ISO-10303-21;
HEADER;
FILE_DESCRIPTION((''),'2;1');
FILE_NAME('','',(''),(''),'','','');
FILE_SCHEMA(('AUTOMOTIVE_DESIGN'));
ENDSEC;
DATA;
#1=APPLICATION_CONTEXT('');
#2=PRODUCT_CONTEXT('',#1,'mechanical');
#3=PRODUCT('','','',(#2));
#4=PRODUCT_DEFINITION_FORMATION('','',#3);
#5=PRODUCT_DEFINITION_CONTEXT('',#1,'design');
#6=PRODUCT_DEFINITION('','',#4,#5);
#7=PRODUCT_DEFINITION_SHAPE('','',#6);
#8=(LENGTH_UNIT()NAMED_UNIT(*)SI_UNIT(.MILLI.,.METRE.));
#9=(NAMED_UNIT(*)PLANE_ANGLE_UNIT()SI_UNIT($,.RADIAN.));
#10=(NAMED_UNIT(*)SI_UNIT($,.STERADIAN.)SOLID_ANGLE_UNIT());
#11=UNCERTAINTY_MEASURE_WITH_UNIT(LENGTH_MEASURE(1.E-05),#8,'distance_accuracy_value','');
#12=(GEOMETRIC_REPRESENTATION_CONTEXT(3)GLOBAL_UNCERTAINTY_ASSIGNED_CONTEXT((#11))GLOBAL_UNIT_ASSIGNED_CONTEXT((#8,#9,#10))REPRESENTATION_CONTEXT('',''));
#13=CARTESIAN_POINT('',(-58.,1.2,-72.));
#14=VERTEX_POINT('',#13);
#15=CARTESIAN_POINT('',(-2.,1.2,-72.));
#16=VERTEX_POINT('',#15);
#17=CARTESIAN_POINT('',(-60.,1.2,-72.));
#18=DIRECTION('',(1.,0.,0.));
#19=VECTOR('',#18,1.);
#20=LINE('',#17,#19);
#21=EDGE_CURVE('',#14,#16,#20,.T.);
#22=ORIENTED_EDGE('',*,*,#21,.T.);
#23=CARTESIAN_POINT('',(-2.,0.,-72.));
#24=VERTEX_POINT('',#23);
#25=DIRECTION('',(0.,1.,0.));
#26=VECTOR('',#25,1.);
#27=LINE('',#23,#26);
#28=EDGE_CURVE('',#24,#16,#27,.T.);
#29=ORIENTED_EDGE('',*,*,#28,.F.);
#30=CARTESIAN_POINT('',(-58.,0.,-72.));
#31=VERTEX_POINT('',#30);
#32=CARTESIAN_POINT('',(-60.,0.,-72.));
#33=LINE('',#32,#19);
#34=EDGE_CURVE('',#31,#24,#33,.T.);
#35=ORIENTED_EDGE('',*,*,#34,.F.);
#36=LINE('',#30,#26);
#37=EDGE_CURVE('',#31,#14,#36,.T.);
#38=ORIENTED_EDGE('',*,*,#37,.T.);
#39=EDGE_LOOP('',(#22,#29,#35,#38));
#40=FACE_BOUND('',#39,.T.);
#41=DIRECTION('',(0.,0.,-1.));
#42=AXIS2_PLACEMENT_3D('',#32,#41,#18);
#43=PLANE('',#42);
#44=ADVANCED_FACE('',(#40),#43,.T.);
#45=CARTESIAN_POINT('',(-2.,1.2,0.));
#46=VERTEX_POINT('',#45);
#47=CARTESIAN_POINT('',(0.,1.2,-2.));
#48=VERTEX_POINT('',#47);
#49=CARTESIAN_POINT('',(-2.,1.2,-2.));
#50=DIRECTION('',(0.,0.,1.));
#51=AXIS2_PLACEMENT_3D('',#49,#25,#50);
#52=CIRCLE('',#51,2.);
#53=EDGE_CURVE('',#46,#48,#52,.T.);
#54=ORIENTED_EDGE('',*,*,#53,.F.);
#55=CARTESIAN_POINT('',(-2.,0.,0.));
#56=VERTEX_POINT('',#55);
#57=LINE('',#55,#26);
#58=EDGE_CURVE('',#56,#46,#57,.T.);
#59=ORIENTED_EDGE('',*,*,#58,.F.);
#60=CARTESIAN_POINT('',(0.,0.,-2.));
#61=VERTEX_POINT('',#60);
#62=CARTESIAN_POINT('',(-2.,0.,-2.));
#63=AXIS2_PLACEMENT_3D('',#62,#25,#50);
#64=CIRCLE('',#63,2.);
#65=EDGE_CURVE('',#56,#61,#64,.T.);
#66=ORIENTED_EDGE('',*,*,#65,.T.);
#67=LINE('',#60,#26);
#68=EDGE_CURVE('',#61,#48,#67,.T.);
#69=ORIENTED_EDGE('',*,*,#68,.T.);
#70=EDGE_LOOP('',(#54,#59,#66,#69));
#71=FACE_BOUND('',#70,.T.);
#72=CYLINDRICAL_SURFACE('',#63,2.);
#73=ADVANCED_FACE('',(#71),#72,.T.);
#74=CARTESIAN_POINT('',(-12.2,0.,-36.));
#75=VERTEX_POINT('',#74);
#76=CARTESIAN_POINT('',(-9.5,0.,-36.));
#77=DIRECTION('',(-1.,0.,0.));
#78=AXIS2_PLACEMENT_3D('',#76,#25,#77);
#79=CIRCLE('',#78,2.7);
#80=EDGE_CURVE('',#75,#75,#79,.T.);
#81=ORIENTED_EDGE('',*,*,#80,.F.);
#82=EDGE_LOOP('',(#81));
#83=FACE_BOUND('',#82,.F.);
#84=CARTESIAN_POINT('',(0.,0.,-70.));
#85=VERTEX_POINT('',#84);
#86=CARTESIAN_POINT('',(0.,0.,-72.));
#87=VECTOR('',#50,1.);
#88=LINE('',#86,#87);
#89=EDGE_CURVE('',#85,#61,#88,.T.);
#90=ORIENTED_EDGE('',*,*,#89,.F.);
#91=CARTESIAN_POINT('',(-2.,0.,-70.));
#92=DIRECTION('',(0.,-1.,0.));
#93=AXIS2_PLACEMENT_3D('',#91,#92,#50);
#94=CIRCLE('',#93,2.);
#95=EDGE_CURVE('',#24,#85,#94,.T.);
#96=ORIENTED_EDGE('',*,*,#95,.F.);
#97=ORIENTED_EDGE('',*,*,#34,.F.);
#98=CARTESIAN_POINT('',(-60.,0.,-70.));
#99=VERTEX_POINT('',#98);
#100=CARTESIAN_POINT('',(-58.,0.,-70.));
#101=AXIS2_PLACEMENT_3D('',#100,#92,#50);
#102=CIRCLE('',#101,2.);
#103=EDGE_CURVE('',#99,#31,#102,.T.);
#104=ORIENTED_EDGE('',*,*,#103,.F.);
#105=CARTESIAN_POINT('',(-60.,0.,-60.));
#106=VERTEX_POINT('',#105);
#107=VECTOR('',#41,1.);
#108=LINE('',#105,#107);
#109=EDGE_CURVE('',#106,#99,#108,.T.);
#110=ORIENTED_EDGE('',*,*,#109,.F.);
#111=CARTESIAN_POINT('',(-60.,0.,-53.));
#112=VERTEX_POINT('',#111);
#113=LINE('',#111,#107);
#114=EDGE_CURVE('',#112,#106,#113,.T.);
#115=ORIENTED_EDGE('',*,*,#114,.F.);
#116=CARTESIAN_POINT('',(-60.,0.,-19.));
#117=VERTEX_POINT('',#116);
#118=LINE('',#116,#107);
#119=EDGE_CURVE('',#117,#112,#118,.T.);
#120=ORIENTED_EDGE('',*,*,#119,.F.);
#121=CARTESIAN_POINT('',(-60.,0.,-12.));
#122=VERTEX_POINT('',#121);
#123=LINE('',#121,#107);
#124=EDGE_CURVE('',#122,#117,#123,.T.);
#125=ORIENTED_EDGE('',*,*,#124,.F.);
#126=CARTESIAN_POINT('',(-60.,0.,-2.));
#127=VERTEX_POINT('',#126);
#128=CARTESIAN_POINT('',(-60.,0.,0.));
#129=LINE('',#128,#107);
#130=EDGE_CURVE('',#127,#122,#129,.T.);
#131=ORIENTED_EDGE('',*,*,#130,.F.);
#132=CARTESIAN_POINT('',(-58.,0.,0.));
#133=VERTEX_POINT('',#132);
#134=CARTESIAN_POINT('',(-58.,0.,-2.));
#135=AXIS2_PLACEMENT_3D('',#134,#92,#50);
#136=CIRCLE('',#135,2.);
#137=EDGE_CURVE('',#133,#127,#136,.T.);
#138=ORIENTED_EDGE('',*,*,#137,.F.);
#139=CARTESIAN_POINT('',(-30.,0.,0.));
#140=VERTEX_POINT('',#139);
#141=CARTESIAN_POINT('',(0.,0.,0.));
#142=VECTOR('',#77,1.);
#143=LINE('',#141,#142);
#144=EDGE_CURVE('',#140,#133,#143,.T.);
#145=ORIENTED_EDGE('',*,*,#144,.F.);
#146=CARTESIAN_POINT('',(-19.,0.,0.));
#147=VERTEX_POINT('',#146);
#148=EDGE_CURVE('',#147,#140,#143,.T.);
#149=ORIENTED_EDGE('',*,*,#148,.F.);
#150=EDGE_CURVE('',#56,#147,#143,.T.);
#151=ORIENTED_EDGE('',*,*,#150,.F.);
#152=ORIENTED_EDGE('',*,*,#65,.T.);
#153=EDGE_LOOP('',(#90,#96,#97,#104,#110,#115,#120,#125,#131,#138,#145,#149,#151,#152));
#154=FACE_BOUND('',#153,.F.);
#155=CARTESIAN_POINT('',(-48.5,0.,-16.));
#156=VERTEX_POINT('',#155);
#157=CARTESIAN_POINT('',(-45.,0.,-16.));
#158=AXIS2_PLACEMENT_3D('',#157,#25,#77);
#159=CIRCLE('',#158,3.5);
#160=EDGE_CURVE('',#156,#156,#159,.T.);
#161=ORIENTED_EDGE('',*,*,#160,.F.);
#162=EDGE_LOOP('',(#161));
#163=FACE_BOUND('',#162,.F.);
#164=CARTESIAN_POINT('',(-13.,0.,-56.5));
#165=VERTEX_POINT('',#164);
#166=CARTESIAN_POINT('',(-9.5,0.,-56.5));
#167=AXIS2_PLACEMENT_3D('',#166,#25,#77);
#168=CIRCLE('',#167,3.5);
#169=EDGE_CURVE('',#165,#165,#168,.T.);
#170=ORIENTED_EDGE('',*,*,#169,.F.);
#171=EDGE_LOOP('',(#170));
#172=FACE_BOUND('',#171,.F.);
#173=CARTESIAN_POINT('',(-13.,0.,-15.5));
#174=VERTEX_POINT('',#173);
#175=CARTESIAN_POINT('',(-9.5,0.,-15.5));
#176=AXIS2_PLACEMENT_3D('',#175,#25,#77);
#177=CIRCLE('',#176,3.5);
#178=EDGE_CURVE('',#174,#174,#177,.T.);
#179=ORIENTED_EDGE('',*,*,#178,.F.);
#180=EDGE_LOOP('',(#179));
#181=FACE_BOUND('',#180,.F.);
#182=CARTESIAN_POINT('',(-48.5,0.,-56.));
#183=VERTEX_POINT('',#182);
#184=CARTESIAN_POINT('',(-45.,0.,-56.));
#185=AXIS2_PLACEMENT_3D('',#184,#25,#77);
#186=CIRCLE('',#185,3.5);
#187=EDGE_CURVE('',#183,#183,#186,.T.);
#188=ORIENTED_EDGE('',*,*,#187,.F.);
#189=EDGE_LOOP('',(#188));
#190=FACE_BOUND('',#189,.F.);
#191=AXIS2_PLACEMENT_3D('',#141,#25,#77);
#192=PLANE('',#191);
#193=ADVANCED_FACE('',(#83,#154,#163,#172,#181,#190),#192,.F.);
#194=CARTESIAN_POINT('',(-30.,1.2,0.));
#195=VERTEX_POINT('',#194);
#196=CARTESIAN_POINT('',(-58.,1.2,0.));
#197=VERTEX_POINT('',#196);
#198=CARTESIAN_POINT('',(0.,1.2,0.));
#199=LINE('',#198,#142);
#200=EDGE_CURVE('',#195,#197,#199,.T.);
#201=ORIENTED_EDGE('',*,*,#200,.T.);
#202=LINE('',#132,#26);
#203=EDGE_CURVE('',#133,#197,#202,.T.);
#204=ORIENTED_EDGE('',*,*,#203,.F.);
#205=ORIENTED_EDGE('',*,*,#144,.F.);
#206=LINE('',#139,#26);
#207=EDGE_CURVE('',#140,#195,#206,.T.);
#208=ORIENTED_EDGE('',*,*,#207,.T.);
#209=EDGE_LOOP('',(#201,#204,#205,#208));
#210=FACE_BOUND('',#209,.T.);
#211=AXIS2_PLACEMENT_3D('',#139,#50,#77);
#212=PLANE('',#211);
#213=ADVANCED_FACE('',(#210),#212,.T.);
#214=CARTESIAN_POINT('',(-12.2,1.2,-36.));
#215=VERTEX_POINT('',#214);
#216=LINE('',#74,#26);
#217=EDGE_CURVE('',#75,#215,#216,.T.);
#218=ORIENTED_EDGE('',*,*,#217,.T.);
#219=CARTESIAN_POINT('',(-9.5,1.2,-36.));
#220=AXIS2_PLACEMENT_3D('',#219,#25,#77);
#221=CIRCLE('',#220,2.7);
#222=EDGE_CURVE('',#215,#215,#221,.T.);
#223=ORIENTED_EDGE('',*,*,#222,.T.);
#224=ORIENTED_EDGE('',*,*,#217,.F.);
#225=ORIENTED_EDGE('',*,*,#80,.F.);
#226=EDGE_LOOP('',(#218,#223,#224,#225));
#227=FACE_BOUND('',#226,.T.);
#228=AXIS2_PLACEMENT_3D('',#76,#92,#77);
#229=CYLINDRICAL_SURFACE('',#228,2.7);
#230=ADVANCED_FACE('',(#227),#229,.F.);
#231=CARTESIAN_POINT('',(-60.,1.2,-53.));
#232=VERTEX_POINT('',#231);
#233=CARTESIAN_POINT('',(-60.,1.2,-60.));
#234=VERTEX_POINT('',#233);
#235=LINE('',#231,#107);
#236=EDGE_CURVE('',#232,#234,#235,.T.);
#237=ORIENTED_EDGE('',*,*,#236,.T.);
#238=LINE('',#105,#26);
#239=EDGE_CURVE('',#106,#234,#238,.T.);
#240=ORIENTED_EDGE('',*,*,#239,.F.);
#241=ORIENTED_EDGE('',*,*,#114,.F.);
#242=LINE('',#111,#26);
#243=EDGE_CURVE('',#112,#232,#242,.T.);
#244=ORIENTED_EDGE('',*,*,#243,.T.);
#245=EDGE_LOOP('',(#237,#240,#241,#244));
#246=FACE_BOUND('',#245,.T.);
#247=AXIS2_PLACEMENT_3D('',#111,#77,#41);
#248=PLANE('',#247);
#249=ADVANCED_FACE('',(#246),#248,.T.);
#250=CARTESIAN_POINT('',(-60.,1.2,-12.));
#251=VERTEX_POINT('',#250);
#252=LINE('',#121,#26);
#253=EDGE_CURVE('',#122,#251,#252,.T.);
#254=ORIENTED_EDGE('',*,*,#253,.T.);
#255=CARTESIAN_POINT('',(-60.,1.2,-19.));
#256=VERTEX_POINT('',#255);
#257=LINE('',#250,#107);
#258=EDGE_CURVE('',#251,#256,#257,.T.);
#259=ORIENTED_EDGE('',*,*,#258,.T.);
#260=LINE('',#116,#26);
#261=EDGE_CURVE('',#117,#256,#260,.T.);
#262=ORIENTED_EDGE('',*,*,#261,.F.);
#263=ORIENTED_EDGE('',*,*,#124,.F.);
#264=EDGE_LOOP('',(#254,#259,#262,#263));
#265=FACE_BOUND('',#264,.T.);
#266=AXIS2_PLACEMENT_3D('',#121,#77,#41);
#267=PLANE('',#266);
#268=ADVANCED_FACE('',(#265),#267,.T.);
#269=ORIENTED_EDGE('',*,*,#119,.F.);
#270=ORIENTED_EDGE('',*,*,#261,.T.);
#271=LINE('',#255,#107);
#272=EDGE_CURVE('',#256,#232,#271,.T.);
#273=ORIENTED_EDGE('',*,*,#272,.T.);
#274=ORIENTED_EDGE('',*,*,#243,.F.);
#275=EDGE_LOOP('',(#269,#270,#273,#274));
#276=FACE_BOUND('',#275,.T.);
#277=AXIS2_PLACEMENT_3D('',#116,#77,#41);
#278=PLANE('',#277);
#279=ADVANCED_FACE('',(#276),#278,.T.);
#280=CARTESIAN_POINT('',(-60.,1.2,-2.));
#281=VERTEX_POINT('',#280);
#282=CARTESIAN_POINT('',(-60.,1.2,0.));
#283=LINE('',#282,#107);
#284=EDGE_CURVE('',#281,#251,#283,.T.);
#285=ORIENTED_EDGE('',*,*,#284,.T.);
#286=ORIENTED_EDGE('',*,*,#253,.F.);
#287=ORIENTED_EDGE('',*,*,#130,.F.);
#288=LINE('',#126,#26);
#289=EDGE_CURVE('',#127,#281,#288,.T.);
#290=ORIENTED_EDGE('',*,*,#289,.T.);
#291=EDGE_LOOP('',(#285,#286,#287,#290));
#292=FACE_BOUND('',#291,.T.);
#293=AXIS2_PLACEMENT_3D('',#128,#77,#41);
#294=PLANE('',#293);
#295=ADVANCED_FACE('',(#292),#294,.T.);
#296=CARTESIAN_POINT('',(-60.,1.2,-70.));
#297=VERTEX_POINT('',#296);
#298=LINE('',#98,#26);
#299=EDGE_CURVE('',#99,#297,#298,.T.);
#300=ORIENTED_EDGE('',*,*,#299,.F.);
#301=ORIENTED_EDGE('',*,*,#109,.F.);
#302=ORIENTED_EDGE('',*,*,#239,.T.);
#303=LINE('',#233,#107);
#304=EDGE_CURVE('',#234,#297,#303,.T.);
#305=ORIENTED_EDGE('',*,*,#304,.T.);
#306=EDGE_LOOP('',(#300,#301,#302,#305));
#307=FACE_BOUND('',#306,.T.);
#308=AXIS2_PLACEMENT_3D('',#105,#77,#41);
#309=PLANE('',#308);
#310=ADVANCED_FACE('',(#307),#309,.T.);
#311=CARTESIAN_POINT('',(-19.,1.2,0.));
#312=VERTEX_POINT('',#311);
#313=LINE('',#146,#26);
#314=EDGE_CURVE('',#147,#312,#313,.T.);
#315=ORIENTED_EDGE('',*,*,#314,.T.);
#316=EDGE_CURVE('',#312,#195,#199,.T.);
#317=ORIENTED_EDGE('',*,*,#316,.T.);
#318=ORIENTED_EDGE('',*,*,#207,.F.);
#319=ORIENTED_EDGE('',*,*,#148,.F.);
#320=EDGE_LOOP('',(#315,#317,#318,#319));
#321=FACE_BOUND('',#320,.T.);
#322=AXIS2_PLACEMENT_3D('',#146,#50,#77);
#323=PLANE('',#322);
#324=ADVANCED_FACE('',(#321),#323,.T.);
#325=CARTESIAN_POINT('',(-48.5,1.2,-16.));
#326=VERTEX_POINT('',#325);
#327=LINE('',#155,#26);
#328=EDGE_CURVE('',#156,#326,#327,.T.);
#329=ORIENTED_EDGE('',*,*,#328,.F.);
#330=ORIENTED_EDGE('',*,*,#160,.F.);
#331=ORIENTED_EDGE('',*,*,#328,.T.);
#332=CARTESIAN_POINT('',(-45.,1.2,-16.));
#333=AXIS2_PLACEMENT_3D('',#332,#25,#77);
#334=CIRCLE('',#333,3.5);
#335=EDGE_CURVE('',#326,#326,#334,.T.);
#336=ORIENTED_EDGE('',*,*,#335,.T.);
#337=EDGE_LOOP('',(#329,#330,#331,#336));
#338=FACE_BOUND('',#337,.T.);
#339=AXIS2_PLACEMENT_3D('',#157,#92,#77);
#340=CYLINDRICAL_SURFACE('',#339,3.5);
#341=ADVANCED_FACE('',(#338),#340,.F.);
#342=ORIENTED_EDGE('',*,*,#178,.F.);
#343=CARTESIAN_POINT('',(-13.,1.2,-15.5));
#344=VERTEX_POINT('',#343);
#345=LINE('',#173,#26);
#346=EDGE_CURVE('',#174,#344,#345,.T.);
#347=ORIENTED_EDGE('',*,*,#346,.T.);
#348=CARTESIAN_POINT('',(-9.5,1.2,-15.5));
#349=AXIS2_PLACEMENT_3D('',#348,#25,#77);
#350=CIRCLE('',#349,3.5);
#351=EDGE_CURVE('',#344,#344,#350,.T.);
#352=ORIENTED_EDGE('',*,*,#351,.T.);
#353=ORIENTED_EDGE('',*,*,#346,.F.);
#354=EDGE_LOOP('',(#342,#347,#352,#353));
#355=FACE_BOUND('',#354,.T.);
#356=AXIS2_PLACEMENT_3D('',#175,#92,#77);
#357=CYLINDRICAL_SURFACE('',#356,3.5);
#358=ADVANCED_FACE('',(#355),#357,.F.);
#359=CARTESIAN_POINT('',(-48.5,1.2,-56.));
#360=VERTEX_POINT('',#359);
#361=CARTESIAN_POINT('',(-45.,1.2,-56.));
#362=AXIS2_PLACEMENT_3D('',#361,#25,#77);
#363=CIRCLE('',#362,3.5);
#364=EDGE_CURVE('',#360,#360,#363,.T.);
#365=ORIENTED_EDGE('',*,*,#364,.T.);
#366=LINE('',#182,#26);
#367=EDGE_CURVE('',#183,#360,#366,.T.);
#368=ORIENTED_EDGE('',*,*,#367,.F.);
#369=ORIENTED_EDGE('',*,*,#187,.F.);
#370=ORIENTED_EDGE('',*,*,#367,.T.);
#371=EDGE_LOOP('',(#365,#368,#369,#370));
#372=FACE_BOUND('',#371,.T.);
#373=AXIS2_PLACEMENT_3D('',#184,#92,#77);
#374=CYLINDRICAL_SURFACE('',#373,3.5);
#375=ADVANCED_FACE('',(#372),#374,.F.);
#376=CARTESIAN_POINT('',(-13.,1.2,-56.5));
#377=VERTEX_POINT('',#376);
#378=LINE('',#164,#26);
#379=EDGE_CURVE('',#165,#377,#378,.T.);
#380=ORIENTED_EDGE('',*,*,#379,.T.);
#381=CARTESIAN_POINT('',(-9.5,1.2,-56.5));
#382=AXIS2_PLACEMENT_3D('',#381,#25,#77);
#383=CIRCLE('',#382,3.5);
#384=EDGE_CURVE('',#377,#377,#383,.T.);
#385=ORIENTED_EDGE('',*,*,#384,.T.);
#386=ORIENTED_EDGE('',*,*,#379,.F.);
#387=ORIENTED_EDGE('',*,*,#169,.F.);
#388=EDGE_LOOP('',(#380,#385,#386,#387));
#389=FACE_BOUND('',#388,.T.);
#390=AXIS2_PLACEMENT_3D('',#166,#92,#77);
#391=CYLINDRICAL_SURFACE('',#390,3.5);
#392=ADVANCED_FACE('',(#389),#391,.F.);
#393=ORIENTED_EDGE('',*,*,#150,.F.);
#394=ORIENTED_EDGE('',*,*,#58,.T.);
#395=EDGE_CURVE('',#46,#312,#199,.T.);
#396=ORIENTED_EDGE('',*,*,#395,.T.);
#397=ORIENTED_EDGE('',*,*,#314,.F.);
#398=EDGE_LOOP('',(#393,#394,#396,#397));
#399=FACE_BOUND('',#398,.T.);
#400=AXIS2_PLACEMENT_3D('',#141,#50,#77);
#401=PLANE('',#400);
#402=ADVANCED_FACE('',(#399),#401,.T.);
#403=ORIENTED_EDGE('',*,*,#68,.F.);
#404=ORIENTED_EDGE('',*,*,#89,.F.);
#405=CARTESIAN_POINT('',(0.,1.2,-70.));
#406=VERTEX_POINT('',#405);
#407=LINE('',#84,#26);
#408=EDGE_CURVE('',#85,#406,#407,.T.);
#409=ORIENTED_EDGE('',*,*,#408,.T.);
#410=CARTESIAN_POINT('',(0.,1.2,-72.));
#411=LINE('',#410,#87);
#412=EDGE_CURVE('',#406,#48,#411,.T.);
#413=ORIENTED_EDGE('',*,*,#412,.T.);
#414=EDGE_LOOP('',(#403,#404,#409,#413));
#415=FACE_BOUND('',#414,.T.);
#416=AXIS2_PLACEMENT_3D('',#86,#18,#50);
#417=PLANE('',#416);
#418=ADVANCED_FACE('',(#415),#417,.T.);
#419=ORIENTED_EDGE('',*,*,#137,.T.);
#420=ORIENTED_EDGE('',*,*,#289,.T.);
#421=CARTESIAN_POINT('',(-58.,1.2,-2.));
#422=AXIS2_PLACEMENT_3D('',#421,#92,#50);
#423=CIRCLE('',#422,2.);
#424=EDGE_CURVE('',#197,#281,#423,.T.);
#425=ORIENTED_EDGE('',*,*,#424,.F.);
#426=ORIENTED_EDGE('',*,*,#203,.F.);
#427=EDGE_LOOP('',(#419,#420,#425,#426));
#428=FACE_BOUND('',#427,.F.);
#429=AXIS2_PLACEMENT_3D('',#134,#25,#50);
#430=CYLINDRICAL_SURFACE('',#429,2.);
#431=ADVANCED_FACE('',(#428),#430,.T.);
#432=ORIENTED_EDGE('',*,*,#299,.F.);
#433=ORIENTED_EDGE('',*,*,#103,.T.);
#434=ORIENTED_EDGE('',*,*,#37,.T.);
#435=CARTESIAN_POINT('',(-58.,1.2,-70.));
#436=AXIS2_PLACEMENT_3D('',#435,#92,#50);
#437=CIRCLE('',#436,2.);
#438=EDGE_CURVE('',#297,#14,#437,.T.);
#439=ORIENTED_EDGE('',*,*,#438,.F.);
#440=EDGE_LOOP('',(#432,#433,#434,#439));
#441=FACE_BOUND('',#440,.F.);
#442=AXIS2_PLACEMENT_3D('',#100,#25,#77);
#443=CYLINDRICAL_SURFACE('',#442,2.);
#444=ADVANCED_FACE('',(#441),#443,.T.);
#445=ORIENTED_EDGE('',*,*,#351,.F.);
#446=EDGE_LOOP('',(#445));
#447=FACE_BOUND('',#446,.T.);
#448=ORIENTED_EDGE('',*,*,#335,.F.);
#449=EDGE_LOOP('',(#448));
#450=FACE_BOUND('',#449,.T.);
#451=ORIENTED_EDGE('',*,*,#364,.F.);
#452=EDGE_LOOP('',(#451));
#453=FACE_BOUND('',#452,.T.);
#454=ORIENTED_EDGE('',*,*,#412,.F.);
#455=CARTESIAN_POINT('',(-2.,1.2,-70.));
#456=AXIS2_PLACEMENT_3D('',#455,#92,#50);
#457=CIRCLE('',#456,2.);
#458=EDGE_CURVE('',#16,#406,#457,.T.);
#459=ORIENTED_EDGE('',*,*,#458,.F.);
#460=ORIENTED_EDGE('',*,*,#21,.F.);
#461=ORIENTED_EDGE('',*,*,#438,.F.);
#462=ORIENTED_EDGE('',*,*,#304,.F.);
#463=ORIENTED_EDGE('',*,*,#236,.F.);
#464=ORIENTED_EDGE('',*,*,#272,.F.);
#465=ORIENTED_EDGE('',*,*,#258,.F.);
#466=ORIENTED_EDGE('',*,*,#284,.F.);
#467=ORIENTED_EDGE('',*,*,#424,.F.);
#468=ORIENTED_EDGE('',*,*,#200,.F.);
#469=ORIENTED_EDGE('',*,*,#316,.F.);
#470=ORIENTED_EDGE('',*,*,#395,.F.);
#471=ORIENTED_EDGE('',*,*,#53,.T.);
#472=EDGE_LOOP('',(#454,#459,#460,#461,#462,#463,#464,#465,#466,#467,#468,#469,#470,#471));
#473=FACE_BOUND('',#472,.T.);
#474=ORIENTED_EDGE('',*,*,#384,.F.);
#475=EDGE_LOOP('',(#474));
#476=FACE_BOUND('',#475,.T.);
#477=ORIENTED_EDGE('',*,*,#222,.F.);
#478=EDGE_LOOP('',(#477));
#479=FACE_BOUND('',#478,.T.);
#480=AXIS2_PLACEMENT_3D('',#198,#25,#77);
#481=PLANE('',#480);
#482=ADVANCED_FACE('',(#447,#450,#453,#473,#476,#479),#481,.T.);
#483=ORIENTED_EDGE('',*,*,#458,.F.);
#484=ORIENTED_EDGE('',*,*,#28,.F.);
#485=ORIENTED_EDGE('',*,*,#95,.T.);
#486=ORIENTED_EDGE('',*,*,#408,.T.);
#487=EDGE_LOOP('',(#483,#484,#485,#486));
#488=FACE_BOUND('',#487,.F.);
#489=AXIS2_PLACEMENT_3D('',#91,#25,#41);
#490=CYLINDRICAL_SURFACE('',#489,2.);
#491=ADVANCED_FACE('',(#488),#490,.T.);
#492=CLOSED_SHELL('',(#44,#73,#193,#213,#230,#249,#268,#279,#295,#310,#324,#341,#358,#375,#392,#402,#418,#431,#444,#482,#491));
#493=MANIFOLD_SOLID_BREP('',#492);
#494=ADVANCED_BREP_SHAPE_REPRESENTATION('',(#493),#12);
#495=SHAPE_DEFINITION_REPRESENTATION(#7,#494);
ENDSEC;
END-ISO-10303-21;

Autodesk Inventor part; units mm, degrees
ref_plane "YZ Plane" through (0, 0, 0) normal (1, 0, 0) x (0, 1, 0)
ref_plane "XZ Plane" through (0, 0, 0) normal (0, 1, 0) x (-1, 0, 0)
ref_plane "XY Plane" through (0, 0, 0) normal (0, 0, 1) x (1, 0, 0)
sketch "Esboço2" plane through (0, 0, 0) normal (0, 1, 0) x (-1, 0, 0)
  line L0 (0, 0) -> (60, 0)
  line L1 (60, 0) -> (60, -12)
  line L2 (60, -12) -> (60, -19)
  line L3 (60, -19) -> (60, -53)
  line L4 (60, -53) -> (60, -60)
  line L5 (60, -60) -> (60, -72)
  line L6 (60, -72) -> (0, -72)
  line L7 (0, -72) -> (0, 0)
  line L8 (0, 0) -> (19, 0)
  line L9 (60, 0) -> (30, 0)
  circle A0 centre (45, -16) radius 3.5
  circle A1 centre (45, -56) radius 3.5
  circle A2 centre (9.5, -15.5) radius 3.5
  circle A3 centre (9.5, -56.5) radius 3.5
  circle A4 centre (9.5, -36) radius 2.7
  dimension "d13" = 60
  dimension "d14" = 12
  dimension "d15" = 7
  dimension "d16" = 34
  dimension "d17" = 7
  dimension "d18" = 12
  dimension "d19" = 72
  dimension "d20" = 19
  dimension "d21" = 30
  dimension "d22" = 7
  dimension "d23" = 7
  dimension "d24" = 7
  dimension "d25" = 7
extrude "Extrusão1" add sketch "Esboço2" along normal blind 1.2
fillet "Arredondamento1" radius 2 4 edges at (0, 0.6, -72) (-60, 0.6, -72) (-60, 0.6, 0) (0, 0.6, 0)
properties part number "Fixação caixa-tubo" material "Aço, carbono"
